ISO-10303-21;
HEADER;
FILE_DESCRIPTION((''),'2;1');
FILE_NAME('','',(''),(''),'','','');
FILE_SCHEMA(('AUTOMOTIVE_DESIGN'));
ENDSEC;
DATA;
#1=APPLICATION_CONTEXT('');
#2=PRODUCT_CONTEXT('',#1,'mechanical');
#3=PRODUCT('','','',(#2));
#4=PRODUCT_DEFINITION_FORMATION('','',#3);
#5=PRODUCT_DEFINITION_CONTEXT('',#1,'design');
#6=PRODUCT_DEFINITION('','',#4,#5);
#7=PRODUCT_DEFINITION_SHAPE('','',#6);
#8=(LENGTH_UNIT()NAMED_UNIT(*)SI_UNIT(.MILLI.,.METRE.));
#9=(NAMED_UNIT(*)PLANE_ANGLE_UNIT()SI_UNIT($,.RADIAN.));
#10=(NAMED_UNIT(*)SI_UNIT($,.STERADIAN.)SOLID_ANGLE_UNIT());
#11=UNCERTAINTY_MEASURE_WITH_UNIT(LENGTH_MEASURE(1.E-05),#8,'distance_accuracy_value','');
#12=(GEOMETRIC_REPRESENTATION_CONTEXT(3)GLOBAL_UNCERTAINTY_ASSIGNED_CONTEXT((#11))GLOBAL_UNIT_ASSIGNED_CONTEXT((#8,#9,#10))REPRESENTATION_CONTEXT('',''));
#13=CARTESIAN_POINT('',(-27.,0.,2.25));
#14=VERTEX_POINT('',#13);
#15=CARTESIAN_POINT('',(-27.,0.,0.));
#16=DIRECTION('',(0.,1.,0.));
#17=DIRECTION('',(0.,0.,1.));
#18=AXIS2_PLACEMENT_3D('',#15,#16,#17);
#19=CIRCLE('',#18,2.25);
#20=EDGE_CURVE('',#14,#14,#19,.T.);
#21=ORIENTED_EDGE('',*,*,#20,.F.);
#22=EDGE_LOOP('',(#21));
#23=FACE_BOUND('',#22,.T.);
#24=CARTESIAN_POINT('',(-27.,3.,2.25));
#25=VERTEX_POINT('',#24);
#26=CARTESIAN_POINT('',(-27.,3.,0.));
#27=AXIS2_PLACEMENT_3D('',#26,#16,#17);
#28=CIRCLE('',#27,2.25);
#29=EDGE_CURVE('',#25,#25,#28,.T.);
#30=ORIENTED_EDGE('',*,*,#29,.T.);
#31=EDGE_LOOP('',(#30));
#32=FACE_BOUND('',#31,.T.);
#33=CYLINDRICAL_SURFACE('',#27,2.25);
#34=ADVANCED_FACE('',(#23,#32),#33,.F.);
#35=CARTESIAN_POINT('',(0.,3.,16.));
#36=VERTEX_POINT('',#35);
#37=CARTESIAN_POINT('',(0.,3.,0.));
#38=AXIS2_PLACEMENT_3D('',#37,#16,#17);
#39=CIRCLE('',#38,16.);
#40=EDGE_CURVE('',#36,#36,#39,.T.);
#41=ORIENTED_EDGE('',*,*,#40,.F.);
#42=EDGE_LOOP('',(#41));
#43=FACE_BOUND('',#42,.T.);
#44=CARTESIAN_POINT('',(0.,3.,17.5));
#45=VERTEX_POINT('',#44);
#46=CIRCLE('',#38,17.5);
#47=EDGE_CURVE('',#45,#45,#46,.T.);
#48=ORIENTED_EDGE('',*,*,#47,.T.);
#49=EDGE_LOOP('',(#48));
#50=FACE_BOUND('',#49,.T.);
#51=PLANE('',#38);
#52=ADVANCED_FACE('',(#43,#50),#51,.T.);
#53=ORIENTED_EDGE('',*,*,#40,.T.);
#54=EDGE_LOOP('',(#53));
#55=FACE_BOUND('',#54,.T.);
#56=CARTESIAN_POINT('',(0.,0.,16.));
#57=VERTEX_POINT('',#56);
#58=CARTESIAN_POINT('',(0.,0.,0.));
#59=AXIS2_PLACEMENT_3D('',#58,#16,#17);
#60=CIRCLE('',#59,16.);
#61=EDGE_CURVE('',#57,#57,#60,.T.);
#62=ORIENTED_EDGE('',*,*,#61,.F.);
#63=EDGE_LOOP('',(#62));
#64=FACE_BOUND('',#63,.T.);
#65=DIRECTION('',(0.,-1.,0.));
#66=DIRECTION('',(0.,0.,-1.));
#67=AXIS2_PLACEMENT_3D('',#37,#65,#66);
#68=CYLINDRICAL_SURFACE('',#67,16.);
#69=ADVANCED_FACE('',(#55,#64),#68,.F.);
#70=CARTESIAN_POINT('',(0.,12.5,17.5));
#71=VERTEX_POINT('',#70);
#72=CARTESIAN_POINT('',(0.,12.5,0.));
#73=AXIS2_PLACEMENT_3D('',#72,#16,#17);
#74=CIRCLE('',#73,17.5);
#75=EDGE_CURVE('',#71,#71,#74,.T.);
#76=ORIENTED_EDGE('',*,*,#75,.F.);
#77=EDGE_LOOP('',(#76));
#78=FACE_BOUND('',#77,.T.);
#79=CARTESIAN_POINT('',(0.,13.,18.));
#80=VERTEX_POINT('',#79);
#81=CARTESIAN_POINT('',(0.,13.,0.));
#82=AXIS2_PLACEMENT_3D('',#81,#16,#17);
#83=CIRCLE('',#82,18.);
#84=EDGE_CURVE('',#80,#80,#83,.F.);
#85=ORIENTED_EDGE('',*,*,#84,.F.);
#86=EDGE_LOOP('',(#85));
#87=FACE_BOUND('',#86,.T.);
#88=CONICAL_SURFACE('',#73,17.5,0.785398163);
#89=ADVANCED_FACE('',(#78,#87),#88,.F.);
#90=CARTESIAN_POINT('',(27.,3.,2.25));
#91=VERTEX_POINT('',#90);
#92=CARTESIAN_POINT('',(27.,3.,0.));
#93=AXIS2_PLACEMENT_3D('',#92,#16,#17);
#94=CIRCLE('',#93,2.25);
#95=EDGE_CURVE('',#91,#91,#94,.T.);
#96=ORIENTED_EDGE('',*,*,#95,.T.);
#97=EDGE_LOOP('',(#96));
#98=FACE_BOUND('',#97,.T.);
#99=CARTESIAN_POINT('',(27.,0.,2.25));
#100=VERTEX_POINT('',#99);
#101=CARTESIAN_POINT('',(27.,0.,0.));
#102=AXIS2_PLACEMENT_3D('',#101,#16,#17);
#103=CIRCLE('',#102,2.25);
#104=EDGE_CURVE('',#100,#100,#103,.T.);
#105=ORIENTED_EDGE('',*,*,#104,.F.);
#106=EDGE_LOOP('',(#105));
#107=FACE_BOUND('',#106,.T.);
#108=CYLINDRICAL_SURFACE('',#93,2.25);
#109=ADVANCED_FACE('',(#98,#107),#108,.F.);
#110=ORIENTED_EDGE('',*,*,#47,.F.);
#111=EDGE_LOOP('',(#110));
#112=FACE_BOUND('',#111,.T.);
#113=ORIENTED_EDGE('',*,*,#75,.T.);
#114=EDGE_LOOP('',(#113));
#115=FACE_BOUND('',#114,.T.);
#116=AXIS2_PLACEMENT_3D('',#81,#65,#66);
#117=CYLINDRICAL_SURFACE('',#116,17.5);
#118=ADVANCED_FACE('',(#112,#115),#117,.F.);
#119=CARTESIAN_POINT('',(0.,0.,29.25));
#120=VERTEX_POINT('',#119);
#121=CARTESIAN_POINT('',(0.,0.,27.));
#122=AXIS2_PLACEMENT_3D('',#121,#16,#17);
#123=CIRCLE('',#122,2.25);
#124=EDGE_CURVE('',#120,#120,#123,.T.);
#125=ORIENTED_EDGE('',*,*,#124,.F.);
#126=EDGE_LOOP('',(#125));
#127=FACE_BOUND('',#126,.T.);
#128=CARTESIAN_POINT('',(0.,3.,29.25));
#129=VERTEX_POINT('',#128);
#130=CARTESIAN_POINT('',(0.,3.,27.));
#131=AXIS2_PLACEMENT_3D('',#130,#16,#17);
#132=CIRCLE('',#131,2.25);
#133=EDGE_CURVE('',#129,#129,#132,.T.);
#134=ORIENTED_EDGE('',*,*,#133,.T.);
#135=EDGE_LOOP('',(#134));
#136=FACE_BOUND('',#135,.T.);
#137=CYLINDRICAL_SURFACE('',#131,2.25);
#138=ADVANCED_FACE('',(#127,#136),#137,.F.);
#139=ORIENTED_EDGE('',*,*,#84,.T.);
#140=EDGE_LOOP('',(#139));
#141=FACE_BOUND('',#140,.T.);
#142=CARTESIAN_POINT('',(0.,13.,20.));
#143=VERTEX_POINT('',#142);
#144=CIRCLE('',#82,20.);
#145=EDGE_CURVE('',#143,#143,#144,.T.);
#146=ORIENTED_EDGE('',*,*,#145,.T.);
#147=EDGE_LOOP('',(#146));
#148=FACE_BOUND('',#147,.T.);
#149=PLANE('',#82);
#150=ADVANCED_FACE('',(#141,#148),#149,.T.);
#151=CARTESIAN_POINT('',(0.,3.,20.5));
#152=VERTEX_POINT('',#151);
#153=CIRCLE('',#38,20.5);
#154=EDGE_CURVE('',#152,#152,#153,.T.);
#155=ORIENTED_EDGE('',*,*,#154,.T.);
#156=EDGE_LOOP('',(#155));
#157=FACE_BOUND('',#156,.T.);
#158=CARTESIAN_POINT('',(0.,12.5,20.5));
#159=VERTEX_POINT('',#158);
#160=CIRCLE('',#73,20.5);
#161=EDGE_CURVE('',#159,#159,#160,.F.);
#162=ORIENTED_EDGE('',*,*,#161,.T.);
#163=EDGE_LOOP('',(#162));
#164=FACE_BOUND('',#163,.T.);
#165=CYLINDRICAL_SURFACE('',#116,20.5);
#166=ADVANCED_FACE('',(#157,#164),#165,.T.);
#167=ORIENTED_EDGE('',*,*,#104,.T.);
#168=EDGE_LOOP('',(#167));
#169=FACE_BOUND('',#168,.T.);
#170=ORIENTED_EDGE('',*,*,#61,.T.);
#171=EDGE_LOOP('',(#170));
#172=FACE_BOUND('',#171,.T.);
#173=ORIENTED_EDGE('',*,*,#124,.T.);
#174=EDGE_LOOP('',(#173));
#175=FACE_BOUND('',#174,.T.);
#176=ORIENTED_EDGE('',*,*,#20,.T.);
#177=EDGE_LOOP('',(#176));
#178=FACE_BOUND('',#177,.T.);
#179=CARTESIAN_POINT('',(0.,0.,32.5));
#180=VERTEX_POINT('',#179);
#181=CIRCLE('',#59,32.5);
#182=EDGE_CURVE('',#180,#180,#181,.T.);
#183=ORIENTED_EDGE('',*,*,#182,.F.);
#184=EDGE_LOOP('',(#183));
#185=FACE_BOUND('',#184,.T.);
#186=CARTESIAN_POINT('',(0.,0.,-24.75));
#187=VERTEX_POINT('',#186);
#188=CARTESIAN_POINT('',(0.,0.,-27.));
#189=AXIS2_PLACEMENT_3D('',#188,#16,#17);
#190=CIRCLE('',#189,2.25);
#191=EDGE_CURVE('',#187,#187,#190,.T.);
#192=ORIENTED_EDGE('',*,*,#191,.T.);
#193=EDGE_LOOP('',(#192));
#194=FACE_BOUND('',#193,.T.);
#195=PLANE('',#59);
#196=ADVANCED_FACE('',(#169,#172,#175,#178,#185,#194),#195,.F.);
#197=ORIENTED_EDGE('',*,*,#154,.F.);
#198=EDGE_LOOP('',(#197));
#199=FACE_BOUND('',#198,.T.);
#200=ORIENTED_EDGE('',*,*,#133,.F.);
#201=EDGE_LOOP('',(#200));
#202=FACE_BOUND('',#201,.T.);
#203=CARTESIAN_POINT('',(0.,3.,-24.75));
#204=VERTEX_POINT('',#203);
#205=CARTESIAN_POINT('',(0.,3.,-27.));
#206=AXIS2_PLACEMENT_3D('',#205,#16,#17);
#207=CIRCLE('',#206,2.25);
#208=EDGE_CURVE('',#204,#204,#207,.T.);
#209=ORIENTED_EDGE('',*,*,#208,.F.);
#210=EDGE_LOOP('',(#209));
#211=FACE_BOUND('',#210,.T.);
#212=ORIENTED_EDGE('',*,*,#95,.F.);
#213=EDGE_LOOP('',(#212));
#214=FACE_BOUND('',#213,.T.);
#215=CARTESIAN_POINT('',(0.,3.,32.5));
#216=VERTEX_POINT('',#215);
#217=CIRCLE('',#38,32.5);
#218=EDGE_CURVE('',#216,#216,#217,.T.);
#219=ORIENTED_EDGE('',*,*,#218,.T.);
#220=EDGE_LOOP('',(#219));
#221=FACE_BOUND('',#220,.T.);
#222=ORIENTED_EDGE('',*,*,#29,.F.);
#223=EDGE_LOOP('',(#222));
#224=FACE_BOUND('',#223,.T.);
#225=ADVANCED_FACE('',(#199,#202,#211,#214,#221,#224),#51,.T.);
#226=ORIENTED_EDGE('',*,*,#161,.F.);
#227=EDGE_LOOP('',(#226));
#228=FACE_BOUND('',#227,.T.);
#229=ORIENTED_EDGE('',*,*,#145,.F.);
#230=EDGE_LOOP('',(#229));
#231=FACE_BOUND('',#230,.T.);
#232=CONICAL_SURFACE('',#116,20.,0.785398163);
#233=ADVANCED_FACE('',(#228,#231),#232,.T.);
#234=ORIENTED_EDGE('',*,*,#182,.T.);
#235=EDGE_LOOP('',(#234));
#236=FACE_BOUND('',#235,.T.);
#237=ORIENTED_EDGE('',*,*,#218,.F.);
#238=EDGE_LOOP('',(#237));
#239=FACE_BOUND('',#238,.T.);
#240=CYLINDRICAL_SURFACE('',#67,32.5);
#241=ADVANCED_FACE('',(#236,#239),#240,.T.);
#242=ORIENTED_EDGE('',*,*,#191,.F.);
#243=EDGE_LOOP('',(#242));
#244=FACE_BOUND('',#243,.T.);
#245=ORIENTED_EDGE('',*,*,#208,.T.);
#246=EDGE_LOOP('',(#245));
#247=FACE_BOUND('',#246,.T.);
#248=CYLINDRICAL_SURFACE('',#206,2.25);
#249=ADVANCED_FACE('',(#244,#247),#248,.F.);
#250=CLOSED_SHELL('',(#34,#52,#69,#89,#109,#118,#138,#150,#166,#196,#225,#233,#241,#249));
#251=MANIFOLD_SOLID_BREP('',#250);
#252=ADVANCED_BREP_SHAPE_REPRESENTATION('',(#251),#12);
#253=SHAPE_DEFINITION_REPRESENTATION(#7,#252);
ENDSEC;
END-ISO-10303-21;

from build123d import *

# Parameters (mm, degrees)
SKETCH1_R                = 32.5
SKETCH1_R_2              = 16
SKETCH1_R_3              = 1
BOSS_EXTRUDE1_DEPTH      = 3
SKETCH2_R                = 20.5
SKETCH2_R_2              = 17.5
BOSS_EXTRUDE2_DEPTH      = 10
M4_CLEARANCE_HOLE2_D     = 4.5
M4_CLEARANCE_HOLE2_DEPTH = 11.5
M4_CLEARANCE_HOLE2_TIP   = 1.351936393
CHAMFER1_SIZE            = 0.5


with BuildPart() as part:
    # Sketch1 → Boss-Extrude1 (new body)
    with BuildSketch(Plane(origin=(0, 0, 0), x_dir=(1, 0, 0), z_dir=(0, 1, 0))):
        with Locations(Location((0, 0, 0), (0, 0, 270))):
            Circle(SKETCH1_R)
        with Locations(Location((0, 0, 0), (0, 0, 270))):
            Circle(SKETCH1_R_2, mode=Mode.SUBTRACT)
        with Locations(Location((0, 27, 0), (0, 0, 270))):
            Circle(SKETCH1_R_3, mode=Mode.SUBTRACT)
        with Locations(Location((27, 0, 0), (0, 0, 270))):
            Circle(SKETCH1_R_3, mode=Mode.SUBTRACT)
        with Locations(Location((0, -27, 0), (0, 0, 270))):
            Circle(SKETCH1_R_3, mode=Mode.SUBTRACT)
        with Locations(Location((-27, 0, 0), (0, 0, 270))):
            Circle(SKETCH1_R_3, mode=Mode.SUBTRACT)
    extrude(amount=BOSS_EXTRUDE1_DEPTH)

    # Sketch2 → Boss-Extrude2 (add)
    with BuildSketch(Plane(origin=(0, 3, 0), x_dir=(1, 0, 0), z_dir=(0, 1, 0))):
        with Locations(Location((0, 0, 0), (0, 0, 270))):
            Circle(SKETCH2_R)
        with Locations(Location((0, 0, 0), (0, 0, 270))):
            Circle(SKETCH2_R_2, mode=Mode.SUBTRACT)
    extrude(amount=BOSS_EXTRUDE2_DEPTH)

    # M4 Clearance Hole2
    with Locations(Plane(origin=(0, 3, 0), x_dir=(1, 0, 0), z_dir=(0, 1, 0))):
        with Locations((0, 27), (27, 0), (0, -27), (-27, 0)):
            Hole(M4_CLEARANCE_HOLE2_D / 2, depth=M4_CLEARANCE_HOLE2_DEPTH)
            with Locations((0, 0, -(M4_CLEARANCE_HOLE2_DEPTH + M4_CLEARANCE_HOLE2_TIP / 2))):  # 118° drill point
                Cone(0, M4_CLEARANCE_HOLE2_D / 2, M4_CLEARANCE_HOLE2_TIP, mode=Mode.SUBTRACT)

    # Chamfer1
    chamfer1_edges = [part.edges().sort_by_distance(p)[0] for p in [
        (0, 13, -20.5),
        (0, 13, -17.5),
    ]]
    chamfer(chamfer1_edges, length=CHAMFER1_SIZE)


solid = part.part
